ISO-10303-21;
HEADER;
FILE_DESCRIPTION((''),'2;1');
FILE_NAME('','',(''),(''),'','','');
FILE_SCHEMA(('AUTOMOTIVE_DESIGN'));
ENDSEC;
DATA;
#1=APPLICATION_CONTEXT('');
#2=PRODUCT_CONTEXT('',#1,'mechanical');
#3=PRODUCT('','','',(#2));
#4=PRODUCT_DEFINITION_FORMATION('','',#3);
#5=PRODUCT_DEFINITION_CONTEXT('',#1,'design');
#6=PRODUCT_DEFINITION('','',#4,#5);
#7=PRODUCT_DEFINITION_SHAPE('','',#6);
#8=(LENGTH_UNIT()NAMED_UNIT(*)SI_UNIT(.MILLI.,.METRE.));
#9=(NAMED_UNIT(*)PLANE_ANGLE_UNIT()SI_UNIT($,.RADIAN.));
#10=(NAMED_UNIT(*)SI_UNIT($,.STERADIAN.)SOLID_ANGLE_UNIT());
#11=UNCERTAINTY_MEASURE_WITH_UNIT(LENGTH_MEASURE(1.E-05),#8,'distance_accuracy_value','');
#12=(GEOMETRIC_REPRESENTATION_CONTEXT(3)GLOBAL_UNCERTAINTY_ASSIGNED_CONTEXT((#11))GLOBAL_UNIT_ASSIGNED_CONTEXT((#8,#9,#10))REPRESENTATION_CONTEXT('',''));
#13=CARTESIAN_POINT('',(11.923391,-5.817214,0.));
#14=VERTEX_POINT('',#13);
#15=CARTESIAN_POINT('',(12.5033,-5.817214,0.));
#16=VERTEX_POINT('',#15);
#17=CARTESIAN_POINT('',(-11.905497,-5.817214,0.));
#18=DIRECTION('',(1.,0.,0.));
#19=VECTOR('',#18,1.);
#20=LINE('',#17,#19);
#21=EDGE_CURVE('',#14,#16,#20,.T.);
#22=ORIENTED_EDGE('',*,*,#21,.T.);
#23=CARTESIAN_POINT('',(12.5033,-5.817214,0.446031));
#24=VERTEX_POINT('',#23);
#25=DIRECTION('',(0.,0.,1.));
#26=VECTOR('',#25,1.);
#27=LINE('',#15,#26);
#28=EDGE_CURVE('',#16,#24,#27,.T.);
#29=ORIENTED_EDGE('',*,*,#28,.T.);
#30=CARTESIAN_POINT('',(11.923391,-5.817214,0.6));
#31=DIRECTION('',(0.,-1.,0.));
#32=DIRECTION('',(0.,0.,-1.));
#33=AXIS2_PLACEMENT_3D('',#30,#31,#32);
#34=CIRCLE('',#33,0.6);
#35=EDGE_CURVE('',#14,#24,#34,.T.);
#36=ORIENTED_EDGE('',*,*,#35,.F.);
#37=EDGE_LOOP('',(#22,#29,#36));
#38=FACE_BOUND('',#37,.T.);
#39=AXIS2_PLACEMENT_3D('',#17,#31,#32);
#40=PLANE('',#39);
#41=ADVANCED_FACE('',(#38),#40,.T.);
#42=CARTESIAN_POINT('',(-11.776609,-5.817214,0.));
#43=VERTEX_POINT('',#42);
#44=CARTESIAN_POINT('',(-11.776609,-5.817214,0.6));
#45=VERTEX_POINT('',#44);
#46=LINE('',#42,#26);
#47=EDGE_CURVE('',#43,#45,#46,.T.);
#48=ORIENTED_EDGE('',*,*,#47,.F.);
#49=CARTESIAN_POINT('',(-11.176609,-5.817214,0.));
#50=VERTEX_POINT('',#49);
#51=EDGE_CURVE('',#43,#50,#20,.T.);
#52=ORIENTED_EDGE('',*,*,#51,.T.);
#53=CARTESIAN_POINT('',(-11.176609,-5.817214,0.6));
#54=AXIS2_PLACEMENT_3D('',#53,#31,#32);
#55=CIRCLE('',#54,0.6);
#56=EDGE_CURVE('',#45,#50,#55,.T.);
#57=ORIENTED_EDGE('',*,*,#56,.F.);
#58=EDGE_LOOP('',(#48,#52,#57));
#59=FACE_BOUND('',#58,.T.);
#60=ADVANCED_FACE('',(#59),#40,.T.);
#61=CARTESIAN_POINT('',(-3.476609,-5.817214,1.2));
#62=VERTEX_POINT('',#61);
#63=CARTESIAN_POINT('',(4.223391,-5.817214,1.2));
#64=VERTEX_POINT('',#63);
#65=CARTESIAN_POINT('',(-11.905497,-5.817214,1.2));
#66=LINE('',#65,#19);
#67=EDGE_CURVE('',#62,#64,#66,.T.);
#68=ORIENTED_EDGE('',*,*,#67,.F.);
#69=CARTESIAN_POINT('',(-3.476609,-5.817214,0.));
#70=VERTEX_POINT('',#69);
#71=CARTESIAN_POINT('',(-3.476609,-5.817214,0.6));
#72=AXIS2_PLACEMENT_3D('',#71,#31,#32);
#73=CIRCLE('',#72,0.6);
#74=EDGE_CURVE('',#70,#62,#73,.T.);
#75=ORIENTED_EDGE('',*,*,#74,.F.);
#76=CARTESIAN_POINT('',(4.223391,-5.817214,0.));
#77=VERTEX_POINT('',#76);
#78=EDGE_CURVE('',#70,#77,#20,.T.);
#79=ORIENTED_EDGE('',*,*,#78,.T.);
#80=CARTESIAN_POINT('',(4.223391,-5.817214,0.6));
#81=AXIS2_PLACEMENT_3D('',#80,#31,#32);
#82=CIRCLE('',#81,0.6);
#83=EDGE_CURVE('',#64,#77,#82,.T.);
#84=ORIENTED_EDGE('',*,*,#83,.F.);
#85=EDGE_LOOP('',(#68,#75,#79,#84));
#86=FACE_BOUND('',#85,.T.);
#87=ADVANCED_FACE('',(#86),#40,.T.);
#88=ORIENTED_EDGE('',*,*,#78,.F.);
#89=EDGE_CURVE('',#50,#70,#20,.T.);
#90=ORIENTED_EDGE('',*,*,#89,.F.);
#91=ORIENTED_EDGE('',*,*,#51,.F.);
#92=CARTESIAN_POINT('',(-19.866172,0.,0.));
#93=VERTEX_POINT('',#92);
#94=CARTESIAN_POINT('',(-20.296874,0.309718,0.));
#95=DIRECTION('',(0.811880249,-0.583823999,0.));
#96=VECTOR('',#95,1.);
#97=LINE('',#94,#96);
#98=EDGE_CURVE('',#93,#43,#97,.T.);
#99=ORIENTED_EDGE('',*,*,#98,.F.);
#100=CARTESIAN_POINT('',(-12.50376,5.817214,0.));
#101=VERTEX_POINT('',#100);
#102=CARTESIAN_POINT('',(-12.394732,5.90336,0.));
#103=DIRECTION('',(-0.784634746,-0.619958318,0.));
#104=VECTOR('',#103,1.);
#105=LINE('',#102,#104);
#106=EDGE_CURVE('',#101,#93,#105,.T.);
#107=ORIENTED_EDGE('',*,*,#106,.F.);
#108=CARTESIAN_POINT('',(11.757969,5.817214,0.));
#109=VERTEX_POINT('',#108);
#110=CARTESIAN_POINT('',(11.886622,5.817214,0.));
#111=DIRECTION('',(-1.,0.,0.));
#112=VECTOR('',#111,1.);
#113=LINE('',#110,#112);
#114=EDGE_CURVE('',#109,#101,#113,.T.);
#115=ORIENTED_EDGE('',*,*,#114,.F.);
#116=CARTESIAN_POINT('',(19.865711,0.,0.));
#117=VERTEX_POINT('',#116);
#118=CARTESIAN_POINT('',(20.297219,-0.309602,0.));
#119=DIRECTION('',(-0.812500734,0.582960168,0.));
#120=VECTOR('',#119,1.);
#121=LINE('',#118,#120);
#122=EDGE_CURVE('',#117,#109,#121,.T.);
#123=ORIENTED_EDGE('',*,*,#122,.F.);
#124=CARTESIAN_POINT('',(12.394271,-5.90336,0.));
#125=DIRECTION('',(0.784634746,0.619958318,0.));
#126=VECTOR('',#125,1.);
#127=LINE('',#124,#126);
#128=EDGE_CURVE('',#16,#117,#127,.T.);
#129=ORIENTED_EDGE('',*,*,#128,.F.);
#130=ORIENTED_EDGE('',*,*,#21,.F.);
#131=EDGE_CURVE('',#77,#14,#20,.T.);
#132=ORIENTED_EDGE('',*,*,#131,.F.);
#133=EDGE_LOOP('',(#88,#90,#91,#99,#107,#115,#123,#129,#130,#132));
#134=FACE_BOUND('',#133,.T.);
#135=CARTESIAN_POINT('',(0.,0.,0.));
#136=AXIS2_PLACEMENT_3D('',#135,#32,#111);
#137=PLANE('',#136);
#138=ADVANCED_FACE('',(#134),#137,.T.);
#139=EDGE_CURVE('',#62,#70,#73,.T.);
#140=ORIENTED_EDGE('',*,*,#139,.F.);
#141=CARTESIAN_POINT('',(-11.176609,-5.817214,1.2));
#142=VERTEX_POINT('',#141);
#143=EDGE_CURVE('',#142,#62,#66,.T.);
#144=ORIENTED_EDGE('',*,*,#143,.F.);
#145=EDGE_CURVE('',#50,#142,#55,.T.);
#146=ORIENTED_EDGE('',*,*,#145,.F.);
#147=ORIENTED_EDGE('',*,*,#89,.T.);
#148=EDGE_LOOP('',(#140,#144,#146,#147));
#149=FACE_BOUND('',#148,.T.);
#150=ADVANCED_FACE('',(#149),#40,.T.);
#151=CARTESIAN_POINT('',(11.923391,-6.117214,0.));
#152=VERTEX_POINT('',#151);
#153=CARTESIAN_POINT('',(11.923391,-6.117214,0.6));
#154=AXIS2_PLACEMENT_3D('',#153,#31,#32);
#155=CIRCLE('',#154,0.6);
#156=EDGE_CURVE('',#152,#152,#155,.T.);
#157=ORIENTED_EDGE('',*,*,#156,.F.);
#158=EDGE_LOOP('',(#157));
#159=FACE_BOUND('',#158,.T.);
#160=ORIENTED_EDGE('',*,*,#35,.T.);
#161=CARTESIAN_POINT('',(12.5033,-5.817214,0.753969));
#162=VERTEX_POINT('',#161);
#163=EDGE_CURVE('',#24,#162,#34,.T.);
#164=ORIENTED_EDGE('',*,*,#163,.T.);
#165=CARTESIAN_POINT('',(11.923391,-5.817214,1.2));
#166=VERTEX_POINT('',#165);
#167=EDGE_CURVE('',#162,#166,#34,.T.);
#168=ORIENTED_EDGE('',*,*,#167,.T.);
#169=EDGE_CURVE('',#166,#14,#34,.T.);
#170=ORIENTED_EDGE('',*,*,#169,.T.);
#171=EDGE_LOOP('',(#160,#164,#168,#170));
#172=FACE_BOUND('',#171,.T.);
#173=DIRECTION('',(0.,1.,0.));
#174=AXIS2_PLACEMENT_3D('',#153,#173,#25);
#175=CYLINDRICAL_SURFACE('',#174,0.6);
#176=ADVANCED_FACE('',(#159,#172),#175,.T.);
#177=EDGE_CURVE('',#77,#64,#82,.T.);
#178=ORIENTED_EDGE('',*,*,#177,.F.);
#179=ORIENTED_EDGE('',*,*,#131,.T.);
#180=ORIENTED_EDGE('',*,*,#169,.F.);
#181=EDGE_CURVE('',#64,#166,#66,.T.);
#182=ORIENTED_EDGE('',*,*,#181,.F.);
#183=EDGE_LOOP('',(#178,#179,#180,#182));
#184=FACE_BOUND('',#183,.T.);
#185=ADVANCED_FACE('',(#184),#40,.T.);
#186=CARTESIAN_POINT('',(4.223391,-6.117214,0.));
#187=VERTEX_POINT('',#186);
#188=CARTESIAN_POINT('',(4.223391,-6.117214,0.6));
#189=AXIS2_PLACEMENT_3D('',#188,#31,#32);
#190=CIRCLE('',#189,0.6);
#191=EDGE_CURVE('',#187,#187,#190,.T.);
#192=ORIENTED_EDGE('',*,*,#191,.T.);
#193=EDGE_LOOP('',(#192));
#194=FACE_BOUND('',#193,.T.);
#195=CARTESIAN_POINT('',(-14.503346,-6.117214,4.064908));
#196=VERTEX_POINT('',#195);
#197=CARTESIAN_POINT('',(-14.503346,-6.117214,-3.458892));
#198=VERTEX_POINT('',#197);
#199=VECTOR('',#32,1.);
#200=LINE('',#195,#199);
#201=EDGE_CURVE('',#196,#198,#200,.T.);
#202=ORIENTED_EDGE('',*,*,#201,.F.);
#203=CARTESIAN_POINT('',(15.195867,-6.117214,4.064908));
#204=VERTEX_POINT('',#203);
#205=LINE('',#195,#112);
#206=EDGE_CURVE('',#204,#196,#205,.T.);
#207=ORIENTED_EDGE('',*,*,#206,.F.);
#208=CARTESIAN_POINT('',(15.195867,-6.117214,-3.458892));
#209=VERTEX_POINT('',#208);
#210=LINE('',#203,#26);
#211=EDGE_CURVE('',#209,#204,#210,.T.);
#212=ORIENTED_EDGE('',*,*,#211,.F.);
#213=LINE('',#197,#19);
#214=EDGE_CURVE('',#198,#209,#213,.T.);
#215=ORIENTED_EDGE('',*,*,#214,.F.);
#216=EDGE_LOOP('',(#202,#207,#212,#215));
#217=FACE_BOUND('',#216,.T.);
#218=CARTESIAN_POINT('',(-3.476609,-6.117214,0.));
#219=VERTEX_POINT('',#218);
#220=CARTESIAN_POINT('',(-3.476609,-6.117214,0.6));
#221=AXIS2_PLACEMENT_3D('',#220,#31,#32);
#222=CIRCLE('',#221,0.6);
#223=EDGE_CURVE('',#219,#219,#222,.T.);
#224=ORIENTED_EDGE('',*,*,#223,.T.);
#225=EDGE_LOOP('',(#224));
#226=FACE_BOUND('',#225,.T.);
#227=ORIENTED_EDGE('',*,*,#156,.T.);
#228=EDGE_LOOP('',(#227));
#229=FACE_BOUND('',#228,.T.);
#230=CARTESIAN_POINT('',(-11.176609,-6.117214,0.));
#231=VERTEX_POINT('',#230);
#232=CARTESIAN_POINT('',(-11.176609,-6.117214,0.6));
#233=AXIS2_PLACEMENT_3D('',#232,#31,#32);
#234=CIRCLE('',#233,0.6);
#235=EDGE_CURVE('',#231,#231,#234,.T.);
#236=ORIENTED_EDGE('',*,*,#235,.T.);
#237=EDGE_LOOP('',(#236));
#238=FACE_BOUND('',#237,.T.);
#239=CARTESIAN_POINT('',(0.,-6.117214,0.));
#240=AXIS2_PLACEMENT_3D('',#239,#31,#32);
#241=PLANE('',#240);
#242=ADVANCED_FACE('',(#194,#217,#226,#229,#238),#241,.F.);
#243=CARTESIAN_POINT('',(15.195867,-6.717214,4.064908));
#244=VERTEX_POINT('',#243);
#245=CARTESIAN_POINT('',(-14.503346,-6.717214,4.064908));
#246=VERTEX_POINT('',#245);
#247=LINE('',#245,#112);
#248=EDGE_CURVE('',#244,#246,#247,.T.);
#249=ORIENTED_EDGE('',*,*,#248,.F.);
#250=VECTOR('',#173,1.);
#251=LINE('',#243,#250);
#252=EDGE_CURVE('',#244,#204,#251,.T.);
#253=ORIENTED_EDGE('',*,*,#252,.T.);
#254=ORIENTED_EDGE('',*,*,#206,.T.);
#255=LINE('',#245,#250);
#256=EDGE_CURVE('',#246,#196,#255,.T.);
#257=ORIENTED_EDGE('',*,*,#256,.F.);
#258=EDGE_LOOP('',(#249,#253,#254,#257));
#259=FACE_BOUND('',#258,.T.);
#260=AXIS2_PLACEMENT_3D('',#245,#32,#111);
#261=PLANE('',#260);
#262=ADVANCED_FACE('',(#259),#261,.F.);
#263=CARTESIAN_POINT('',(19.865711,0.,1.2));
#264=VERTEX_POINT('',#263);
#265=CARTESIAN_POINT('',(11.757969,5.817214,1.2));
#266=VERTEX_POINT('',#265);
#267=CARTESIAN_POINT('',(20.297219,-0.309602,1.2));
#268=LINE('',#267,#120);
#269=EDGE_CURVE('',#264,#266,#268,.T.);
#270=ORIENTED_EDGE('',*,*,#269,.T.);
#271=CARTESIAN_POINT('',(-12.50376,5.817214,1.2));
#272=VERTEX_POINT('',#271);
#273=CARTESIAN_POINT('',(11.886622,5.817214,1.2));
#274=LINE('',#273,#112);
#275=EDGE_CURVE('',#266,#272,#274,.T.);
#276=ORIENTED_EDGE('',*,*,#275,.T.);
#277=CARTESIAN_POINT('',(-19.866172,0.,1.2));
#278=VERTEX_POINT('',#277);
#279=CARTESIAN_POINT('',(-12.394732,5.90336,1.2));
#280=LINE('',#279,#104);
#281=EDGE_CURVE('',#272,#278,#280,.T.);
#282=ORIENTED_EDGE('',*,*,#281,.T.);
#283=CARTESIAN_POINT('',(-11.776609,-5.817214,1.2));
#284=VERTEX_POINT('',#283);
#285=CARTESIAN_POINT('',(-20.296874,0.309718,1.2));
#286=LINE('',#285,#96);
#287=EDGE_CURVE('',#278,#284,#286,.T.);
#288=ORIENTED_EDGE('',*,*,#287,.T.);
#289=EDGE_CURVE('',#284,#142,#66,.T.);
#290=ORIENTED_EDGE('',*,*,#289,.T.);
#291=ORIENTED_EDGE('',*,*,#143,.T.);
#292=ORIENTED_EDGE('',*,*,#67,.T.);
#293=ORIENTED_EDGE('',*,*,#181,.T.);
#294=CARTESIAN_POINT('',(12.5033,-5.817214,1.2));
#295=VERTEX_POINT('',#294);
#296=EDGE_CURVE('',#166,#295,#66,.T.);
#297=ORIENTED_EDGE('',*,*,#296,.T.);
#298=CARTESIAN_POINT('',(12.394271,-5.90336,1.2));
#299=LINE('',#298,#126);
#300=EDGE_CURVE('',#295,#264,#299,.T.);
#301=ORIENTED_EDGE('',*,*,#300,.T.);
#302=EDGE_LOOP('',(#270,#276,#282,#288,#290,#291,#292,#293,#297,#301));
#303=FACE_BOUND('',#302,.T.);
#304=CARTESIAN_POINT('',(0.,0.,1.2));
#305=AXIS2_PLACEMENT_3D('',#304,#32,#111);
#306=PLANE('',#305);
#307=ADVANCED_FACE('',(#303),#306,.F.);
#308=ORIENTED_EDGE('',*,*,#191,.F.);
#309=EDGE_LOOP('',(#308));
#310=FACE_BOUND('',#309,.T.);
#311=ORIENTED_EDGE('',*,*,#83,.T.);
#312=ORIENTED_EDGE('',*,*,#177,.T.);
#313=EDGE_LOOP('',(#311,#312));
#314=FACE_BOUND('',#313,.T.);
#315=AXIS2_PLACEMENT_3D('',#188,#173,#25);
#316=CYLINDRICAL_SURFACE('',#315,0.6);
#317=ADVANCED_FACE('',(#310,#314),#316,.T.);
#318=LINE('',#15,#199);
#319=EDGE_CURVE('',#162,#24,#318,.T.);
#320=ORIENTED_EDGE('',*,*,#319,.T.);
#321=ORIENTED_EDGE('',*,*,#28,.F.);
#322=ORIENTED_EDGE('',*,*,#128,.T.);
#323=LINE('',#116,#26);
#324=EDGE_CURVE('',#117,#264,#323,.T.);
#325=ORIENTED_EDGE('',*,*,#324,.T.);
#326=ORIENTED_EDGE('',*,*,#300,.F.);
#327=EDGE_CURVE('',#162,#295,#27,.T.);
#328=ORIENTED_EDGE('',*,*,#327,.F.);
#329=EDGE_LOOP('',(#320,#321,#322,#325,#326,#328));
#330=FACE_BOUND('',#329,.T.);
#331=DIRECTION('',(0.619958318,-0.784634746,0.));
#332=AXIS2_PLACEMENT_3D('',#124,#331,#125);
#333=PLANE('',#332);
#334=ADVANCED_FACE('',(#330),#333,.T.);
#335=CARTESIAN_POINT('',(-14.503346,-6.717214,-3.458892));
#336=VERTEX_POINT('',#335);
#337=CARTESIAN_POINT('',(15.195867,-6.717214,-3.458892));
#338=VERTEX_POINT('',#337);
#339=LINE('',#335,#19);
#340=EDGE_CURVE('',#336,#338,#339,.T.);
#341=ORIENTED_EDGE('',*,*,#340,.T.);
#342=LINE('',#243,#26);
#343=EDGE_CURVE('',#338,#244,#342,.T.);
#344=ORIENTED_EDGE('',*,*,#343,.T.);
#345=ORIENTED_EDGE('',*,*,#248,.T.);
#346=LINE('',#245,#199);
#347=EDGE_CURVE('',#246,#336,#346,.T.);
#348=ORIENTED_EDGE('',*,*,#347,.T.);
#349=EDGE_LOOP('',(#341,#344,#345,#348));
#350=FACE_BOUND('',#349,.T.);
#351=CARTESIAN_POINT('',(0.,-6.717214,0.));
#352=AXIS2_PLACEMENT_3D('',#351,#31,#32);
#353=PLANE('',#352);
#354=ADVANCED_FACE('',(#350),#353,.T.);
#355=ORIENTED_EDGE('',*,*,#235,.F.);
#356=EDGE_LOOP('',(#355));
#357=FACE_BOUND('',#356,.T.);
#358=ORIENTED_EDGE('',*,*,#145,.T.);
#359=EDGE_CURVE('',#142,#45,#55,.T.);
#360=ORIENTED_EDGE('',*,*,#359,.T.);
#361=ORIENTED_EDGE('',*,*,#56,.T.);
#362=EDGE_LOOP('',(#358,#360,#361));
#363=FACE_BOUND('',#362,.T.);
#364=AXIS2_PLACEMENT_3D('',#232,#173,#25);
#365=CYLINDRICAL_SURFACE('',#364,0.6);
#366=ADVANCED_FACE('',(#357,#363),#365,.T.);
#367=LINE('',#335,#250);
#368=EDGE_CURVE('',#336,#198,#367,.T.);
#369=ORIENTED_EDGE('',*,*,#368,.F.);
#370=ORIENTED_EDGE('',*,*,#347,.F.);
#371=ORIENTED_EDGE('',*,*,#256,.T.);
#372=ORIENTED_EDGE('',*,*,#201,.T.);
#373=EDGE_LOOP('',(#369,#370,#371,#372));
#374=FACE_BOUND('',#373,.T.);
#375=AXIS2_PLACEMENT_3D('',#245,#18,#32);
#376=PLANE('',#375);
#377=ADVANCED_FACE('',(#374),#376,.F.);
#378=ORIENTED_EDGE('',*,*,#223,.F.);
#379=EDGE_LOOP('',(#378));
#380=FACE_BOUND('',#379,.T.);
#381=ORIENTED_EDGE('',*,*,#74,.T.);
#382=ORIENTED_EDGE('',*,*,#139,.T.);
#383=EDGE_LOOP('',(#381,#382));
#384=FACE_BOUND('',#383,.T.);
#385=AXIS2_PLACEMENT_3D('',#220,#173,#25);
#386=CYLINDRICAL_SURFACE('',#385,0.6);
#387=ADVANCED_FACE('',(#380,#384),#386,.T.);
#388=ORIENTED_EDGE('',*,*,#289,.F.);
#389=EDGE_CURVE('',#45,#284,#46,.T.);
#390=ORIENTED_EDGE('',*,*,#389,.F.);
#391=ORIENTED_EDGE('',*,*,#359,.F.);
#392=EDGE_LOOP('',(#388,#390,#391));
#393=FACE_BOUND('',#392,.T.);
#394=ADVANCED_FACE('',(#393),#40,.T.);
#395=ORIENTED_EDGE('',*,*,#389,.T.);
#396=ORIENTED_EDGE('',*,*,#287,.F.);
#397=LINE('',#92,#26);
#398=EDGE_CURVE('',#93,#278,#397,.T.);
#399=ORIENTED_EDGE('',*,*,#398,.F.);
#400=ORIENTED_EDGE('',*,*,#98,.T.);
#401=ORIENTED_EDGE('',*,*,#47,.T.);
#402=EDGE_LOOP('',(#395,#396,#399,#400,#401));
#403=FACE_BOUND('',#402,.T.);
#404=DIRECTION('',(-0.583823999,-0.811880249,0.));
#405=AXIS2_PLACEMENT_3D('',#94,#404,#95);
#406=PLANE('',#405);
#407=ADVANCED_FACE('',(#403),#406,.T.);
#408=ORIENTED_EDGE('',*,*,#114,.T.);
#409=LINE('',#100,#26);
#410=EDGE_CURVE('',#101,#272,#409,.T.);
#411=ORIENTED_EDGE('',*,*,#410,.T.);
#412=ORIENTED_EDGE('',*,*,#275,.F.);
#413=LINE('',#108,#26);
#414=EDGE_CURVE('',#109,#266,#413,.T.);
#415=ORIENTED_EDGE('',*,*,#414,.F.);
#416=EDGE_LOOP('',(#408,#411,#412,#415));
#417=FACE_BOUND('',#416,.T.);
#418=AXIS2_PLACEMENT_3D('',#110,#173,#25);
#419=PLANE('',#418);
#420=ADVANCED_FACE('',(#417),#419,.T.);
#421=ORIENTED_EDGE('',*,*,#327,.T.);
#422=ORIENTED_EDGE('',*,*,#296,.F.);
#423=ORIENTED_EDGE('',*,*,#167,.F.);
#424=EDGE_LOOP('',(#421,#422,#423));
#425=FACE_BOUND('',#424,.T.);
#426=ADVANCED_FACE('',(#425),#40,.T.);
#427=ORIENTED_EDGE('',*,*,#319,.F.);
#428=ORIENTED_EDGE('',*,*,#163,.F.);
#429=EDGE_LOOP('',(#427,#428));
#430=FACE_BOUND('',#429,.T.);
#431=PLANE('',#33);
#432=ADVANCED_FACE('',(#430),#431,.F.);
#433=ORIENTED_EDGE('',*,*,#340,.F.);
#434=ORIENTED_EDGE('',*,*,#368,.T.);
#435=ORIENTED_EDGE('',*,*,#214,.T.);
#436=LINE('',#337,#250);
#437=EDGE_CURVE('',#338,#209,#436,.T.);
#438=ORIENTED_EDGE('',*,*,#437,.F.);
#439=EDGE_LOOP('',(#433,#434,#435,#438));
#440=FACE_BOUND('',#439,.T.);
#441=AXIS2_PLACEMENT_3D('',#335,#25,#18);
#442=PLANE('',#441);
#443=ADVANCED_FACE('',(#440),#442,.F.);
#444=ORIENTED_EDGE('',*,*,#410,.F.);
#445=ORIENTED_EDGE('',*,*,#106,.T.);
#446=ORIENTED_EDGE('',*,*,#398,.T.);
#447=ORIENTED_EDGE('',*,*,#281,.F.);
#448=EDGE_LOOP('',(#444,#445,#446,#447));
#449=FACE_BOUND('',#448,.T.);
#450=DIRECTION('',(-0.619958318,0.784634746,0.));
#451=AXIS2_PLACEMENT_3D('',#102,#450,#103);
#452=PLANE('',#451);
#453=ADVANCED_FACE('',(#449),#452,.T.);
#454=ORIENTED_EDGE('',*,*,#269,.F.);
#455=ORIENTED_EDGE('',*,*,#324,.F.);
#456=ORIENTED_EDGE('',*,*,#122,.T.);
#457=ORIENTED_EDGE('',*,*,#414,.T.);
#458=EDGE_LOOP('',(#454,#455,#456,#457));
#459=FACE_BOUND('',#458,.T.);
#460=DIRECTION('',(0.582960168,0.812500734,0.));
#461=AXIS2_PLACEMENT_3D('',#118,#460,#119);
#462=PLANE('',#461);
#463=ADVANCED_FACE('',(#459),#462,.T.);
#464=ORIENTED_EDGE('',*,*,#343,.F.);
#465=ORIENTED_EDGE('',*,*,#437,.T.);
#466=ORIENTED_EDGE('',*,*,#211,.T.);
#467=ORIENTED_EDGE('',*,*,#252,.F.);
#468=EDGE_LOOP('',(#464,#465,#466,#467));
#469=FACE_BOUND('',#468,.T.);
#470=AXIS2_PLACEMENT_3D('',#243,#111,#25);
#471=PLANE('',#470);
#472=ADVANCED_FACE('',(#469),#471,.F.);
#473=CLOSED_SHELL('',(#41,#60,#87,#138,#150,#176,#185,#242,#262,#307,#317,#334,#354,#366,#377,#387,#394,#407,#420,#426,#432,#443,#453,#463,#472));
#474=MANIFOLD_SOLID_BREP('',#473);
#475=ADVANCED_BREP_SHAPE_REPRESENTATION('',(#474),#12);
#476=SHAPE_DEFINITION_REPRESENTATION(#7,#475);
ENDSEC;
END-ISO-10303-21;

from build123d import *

# Parameters (mm, degrees)
EXTRUDE_1_DEPTH       = 1.2
CUT_EXTRUDE_1_DEPTH   = 1.2
CUT_EXTRUDE_1_2_DEPTH = 1.2
SKETCH_4_R            = 0.6
EXTRUDE_2_DEPTH       = 0.3
SKETCH_5_W            = 29.699213112
SKETCH_5_H            = 7.523800655
EXTRUDE_3_DEPTH       = 0.6


with BuildPart() as part:
    # Эскиз1 → Бобышка-Вытянуть1 (new body)
    with BuildSketch(Plane.XY):
        Polygon((-12.686954911, 6.182258949), (-20.530403447, -0.015033721), (-11.90549662, -6.217213911), (12.642254234, -6.217213911), (20.530403447, 0.015397813), (11.886622261, 6.217213911), (-13.761189247, 6.217213911), align=None)
    extrude(amount=EXTRUDE_1_DEPTH)

    # Эскиз2 → Cut-Extrude 1 (cut)
    with BuildSketch(Plane.XY.offset(1.2)):
        Polygon((-12.686954911, 6.182258949), (-13.761189247, 6.217213911), (-12.642715038, 6.217213911), align=None)
    extrude(amount=-CUT_EXTRUDE_1_DEPTH, mode=Mode.SUBTRACT)

    # Эскиз3 → Cut-Extrude 1 2 (cut)
    with BuildSketch(Plane.XY.offset(1.2)):
        Polygon((11.886622261, 6.217213911), (-12.642715038, 6.217213911), (-20.530403447, -0.015033721), (-11.90549662, -6.217213911), (12.642254234, -6.217213911), (20.530403447, 0.015397813), align=None)
        Polygon((11.757969034, 5.817213911), (-12.503760371, 5.817213911), (-19.866171727, 0), (-11.776608632, -5.817213911), (12.503299567, -5.817213911), (19.865710923, 0), align=None, mode=Mode.SUBTRACT)
    extrude(amount=-CUT_EXTRUDE_1_2_DEPTH, mode=Mode.SUBTRACT)

    # Эскиз4 → Бобышка-Вытянуть2 (add)
    with BuildSketch(Plane.XZ.offset(5.817213911)):
        with Locations(Location((-11.176608632, 0.6, 0), (0, 0, 270))):
            Circle(SKETCH_4_R)
        with Locations(Location((-3.476608632, 0.6, 0), (0, 0, 270))):
            Circle(SKETCH_4_R)
        with Locations(Location((4.223391368, 0.6, 0), (0, 0, 270))):
            Circle(SKETCH_4_R)
        with Locations(Location((11.923391368, 0.6, 0), (0, 0, 270))):
            Circle(SKETCH_4_R)
    extrude(amount=EXTRUDE_2_DEPTH)

    # Эскиз5 → Бобышка-Вытянуть3 (add)
    with BuildSketch(Plane.XZ.offset(6.117213911)):
        with Locations((0.346260417, 0.303007868)):
            Rectangle(SKETCH_5_W, SKETCH_5_H)
    extrude(amount=EXTRUDE_3_DEPTH)


solid = part.part
